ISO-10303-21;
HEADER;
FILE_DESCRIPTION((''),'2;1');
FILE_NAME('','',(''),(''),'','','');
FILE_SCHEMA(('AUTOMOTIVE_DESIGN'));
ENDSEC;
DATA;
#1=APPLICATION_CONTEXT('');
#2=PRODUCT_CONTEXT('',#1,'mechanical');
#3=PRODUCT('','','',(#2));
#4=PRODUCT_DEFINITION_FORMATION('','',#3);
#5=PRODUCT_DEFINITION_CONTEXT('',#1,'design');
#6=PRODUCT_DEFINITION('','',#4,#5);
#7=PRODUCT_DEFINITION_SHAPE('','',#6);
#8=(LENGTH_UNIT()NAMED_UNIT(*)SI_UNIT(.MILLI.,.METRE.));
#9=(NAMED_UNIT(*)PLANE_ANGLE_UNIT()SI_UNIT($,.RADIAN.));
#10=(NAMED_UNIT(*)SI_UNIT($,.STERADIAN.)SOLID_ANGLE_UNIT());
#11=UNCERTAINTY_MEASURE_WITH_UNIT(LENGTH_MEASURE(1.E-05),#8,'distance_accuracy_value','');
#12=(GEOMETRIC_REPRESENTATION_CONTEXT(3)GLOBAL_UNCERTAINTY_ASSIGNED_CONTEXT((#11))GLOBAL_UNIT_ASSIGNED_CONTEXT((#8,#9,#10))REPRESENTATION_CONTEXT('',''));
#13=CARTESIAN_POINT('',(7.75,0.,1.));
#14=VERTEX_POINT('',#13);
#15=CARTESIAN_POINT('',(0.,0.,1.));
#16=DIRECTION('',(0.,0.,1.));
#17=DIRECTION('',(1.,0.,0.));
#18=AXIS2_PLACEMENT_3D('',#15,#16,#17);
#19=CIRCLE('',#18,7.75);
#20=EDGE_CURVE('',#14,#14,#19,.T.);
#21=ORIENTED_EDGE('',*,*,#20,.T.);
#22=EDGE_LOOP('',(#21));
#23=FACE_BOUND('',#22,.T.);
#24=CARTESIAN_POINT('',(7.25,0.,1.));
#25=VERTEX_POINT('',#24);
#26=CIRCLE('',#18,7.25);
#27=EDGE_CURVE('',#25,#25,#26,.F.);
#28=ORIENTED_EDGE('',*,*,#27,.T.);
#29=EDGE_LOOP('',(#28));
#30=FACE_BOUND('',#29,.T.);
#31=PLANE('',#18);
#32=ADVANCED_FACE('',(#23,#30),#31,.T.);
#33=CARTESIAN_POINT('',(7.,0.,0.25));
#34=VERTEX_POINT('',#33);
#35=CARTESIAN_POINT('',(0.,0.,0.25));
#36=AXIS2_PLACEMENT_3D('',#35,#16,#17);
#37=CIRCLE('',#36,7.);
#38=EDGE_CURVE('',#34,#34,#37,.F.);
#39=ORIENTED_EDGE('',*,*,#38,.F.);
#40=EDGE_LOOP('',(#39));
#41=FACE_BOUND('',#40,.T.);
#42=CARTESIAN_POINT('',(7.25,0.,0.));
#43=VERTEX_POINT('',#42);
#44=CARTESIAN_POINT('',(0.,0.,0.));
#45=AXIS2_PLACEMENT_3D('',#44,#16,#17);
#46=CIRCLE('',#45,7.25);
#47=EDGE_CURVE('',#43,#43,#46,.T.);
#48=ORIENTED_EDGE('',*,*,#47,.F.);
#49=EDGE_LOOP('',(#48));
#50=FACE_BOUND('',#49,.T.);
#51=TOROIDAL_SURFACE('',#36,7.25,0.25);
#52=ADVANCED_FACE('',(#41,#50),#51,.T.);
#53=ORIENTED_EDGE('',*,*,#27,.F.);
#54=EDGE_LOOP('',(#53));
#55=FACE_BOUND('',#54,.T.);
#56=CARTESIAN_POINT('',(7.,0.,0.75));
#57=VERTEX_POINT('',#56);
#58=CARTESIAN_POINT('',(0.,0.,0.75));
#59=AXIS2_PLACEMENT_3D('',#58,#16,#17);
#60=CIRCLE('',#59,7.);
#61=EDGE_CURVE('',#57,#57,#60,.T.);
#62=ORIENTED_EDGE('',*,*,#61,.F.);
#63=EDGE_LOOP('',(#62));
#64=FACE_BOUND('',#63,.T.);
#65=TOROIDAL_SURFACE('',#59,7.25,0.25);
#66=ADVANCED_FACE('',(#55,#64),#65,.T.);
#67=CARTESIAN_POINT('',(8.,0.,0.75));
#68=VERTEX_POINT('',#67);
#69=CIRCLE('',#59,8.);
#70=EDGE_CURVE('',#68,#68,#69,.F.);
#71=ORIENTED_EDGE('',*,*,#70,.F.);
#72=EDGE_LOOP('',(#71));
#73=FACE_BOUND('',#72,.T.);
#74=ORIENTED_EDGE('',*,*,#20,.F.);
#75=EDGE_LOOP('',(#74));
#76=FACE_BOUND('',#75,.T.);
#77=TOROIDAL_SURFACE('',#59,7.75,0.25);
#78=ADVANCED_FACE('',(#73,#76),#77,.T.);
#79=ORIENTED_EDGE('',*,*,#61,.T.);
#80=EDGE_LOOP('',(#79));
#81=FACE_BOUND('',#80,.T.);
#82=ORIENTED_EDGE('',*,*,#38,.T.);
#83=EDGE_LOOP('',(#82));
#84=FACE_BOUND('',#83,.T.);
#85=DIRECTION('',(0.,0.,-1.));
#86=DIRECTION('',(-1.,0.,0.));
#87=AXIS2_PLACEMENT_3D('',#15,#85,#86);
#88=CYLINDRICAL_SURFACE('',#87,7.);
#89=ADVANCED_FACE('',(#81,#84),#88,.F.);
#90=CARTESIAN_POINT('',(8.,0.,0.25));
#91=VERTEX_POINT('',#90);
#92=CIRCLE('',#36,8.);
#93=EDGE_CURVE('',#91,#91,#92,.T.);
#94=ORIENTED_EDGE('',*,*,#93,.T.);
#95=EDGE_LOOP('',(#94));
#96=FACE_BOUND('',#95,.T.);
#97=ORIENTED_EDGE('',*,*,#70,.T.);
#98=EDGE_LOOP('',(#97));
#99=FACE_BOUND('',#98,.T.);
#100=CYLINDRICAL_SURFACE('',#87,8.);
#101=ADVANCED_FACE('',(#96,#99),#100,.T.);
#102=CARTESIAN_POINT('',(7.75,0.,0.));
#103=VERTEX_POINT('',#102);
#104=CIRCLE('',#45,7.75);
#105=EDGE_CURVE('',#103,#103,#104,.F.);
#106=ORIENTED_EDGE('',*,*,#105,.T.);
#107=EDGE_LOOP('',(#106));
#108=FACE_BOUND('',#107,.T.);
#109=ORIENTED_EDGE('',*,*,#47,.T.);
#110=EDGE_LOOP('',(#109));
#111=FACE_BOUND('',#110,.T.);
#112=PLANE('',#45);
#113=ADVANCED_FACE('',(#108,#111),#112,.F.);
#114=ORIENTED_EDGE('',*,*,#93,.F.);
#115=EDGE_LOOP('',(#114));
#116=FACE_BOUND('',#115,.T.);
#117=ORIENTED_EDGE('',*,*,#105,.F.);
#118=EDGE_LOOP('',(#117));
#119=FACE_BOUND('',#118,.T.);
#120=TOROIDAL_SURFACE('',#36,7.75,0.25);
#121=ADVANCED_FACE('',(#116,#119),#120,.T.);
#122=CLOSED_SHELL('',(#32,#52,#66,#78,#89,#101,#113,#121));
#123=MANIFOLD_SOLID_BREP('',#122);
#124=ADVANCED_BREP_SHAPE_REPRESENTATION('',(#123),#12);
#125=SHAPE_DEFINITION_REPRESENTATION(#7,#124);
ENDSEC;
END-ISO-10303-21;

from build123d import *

# Parameters (mm, degrees)
SKETCH1_R           = 8
SKETCH1_R_2         = 7
BOSS_EXTRUDE1_DEPTH = 1
FILLET1_R           = 0.25
FILLET2_R           = 0.25
FILLET3_R           = 0.25
FILLET4_R           = 0.25


with BuildPart() as part:
    # Sketch1 → Boss-Extrude1 (new body)
    with BuildSketch(Plane.XY):
        Circle(SKETCH1_R)
        Circle(SKETCH1_R_2, mode=Mode.SUBTRACT)
    extrude(amount=BOSS_EXTRUDE1_DEPTH)

    # Fillet1
    fillet1_edges = [part.edges().sort_by_distance(p)[0] for p in [
        (-8, 0, 1),
    ]]
    fillet(fillet1_edges, radius=FILLET1_R)

    # Fillet2
    fillet2_edges = [part.edges().sort_by_distance(p)[0] for p in [
        (-7, 0, 1),
    ]]
    fillet(fillet2_edges, radius=FILLET2_R)

    # Fillet3
    fillet3_edges = [part.edges().sort_by_distance(p)[0] for p in [
        (-8, 0, 0),
    ]]
    fillet(fillet3_edges, radius=FILLET3_R)

    # Fillet4
    fillet4_edges = [part.edges().sort_by_distance(p)[0] for p in [
        (-7, 0, 0),
    ]]
    fillet(fillet4_edges, radius=FILLET4_R)


solid = part.part
